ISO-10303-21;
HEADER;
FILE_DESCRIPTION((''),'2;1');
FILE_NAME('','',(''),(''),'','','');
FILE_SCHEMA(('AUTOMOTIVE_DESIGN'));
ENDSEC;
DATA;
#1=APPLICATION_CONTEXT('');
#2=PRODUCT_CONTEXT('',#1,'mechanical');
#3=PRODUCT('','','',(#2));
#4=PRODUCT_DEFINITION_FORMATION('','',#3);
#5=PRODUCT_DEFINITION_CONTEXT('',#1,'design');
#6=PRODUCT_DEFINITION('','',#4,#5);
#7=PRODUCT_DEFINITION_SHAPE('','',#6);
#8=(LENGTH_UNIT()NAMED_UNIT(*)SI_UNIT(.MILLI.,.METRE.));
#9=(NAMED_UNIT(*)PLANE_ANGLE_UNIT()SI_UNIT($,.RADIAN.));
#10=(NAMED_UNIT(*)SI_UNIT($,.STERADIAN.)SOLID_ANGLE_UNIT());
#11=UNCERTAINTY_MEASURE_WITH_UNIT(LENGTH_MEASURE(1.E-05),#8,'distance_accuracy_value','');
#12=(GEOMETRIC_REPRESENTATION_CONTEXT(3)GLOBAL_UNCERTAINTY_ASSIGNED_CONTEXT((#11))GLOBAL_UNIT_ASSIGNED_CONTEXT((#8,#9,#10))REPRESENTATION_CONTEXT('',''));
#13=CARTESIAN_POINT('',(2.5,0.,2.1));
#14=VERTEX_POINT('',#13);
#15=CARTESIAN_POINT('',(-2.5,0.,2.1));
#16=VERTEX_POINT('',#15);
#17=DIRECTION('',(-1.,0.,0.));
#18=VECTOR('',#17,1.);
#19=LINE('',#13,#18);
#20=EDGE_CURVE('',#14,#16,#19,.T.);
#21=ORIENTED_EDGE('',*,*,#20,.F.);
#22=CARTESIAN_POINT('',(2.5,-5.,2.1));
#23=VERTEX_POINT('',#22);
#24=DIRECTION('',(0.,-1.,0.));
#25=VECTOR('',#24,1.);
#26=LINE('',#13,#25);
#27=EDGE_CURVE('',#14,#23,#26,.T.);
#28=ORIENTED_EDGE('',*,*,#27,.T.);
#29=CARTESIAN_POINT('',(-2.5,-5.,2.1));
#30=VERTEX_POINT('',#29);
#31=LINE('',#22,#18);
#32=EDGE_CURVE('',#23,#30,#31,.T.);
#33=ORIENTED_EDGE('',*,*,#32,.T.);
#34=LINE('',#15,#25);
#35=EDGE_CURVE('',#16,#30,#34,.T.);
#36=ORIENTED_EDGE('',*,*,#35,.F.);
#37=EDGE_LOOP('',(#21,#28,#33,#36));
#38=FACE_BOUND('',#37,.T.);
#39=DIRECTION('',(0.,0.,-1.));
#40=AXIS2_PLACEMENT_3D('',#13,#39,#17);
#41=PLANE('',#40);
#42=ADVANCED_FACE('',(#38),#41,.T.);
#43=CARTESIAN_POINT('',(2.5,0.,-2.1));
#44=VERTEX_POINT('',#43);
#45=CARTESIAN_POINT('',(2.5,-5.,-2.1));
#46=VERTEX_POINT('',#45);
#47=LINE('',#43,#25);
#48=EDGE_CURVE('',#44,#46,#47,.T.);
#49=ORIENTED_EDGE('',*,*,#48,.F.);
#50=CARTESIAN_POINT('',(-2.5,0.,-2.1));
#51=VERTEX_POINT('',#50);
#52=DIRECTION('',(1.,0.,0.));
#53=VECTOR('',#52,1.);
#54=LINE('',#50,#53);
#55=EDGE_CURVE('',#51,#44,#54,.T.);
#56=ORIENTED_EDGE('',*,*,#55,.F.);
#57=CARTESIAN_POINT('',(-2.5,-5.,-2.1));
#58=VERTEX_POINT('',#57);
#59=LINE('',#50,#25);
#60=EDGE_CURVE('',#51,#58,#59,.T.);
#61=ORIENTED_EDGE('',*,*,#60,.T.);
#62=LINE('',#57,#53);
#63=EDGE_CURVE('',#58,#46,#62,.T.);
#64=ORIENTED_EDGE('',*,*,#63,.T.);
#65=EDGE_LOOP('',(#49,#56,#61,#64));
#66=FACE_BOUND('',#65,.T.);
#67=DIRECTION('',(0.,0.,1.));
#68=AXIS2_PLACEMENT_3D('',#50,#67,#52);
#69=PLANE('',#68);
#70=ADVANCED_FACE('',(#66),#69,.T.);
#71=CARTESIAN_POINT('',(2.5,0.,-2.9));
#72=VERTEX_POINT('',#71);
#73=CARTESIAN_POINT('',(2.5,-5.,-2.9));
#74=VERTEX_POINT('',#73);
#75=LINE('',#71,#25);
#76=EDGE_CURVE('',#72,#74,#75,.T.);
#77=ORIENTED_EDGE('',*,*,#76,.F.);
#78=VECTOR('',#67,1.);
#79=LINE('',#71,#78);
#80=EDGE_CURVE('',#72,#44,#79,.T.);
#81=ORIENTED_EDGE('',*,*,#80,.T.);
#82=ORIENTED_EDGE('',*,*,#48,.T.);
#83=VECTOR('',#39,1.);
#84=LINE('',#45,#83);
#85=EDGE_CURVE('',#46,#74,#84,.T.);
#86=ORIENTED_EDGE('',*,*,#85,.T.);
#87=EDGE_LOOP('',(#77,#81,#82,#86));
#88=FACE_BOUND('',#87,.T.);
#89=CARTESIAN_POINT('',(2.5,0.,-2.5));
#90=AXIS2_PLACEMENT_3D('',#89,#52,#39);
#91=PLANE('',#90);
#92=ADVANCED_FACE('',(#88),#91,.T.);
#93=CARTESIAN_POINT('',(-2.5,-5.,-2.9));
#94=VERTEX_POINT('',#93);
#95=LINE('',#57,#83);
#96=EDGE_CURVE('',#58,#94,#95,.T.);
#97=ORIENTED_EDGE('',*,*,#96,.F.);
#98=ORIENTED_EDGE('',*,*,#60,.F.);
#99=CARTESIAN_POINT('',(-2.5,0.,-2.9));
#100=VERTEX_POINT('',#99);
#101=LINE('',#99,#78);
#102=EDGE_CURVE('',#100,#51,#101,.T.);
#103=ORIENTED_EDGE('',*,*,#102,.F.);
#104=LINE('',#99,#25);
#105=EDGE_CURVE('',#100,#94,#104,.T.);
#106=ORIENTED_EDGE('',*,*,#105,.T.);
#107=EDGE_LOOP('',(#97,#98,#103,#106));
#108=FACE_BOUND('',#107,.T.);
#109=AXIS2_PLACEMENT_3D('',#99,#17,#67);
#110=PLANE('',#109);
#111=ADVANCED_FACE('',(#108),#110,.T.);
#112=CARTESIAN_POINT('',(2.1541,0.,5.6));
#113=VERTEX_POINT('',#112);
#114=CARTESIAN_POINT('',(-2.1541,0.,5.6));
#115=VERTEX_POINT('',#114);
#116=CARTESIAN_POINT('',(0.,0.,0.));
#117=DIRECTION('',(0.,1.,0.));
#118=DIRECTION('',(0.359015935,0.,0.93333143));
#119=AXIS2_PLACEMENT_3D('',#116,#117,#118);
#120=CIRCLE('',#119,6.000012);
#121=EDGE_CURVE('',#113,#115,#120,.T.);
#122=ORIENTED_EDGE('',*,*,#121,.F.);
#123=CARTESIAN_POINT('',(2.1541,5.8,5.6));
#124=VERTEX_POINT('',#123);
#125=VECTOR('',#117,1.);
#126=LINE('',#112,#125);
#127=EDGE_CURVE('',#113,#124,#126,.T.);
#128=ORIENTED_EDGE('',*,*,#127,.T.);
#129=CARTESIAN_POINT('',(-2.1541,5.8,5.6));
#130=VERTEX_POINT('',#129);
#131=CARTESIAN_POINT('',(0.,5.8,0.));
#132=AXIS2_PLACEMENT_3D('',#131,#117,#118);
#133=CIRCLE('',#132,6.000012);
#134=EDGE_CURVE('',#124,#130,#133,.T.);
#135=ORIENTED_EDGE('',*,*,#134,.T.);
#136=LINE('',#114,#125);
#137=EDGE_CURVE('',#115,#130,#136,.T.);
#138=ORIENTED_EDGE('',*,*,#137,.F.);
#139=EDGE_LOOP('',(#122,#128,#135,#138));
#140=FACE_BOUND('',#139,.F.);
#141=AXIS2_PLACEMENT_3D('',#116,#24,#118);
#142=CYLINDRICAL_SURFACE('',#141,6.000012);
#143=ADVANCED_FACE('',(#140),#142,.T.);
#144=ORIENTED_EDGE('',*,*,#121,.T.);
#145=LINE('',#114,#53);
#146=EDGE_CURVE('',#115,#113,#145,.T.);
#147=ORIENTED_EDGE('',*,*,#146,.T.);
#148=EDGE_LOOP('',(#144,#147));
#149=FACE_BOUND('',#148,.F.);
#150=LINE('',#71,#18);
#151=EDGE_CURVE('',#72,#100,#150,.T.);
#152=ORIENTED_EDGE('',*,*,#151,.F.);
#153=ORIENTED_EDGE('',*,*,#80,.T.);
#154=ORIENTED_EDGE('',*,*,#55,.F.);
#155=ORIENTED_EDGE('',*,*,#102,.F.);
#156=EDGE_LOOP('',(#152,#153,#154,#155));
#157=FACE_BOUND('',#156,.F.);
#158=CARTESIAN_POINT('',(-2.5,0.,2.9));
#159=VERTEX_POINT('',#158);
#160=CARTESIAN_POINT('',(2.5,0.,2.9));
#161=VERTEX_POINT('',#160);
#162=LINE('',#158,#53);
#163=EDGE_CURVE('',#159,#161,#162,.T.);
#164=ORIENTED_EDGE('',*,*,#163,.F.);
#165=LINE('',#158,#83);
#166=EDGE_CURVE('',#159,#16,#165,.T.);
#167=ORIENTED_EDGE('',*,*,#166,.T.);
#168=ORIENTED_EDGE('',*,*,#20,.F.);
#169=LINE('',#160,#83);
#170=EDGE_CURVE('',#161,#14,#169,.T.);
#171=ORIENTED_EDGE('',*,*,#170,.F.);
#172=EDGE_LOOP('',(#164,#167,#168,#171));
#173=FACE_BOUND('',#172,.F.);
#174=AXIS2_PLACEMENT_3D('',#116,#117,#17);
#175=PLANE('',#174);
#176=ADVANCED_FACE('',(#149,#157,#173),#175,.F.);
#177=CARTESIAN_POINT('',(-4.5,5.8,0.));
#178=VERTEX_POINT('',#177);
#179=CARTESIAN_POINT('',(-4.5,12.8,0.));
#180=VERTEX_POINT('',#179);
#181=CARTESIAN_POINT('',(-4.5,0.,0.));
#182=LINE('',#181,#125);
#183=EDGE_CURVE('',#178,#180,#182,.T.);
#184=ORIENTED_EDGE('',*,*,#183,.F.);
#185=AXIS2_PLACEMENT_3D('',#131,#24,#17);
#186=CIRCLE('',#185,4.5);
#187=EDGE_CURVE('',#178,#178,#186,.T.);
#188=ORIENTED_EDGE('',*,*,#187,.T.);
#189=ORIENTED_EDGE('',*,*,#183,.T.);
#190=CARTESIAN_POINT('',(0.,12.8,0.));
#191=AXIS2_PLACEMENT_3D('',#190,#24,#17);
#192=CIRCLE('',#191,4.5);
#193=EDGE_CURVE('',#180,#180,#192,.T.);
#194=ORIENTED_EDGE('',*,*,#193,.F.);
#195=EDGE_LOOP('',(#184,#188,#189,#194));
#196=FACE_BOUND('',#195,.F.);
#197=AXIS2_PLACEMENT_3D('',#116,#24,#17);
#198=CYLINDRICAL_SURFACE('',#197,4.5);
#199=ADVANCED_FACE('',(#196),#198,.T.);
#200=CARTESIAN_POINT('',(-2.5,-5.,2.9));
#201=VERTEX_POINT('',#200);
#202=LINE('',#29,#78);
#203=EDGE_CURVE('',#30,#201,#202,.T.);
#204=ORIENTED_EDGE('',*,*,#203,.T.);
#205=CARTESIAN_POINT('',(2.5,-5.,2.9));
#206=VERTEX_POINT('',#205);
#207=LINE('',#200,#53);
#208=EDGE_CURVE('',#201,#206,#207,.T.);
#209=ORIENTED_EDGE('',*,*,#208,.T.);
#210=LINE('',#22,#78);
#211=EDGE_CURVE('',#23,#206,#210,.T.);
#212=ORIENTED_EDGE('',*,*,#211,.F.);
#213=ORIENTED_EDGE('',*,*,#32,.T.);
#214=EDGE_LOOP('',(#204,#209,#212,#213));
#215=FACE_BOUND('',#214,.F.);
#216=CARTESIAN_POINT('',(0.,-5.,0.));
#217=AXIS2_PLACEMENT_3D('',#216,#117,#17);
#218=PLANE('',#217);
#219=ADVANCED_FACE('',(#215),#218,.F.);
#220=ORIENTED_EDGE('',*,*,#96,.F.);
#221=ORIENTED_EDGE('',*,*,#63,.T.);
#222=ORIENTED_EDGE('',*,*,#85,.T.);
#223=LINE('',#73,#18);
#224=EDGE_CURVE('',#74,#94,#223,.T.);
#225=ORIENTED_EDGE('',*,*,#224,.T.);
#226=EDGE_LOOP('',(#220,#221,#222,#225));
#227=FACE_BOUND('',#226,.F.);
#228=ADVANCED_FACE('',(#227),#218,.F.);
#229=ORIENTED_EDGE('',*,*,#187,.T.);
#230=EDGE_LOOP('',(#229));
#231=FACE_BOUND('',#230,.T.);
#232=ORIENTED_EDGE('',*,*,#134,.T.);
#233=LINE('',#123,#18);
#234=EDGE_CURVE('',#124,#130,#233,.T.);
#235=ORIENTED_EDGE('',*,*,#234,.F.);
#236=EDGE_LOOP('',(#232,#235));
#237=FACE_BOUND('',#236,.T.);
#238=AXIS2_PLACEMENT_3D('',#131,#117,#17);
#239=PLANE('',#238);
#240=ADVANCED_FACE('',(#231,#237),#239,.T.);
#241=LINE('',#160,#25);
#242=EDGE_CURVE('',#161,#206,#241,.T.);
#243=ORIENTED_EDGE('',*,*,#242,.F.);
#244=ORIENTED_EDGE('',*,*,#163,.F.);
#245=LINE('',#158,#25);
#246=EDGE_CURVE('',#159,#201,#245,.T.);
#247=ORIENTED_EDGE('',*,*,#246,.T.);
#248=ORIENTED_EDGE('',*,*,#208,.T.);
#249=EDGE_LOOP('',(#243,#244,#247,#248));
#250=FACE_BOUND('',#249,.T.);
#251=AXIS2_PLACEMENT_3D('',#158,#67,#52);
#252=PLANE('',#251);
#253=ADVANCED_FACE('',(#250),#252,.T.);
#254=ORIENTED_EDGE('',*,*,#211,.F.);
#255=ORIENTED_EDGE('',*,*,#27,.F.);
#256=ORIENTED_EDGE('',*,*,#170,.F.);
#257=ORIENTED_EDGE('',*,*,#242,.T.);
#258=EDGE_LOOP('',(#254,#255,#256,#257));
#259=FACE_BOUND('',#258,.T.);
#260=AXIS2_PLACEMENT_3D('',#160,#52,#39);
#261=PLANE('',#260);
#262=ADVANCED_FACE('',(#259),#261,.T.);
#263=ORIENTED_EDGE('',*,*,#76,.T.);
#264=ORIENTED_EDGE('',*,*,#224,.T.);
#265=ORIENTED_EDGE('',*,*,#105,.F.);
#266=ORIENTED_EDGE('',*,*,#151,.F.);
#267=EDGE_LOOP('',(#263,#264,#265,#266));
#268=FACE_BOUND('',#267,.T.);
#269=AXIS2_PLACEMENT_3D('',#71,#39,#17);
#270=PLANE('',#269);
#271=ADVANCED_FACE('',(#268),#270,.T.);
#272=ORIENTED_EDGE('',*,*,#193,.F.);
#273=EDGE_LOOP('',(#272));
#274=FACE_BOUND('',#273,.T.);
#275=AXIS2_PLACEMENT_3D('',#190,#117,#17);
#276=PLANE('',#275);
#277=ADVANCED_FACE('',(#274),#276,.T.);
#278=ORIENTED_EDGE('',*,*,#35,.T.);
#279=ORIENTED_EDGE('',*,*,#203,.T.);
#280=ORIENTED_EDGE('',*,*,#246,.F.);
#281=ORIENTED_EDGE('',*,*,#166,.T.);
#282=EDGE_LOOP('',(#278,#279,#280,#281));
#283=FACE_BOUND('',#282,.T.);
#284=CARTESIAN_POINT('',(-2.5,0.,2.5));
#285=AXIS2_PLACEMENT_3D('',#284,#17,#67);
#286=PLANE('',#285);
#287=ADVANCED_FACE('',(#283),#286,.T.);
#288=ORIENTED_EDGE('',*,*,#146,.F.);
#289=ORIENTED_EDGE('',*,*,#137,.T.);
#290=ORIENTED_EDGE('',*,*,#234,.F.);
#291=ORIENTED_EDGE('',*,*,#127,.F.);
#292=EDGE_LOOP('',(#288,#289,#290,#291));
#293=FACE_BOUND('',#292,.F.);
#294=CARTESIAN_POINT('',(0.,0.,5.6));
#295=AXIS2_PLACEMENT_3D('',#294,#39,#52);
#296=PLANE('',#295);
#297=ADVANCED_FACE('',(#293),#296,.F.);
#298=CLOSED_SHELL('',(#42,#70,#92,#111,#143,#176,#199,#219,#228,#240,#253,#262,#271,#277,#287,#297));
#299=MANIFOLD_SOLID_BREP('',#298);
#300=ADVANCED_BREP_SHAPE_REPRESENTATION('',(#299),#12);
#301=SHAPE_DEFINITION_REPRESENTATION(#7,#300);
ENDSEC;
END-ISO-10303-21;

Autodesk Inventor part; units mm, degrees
ref_plane "YZ Plane" through (0, 0, 0) normal (1, 0, 0) x (0, 1, 0)
ref_plane "XZ Plane" through (0, 0, 0) normal (0, 1, 0) x (-1, 0, 0)
ref_plane "XY Plane" through (0, 0, 0) normal (0, 0, 1) x (1, 0, 0)
sketch "Sketch1" plane through (0, 0, 0) normal (0, 1, 0) x (-1, 0, 0)
  arc A0 (-2.1541, 5.6) -> (2.1541, 5.6) centre (0, 0) ccw
  circle A1 centre (0, 0) radius 4.5
  line L0 (0, 5.6) -> (2.1541, 5.6)
  line L1 (0, 5.6) -> (-2.1541, 5.6)
  line L2 (0, 5.6) -> (3.5069, 5.6) construction
  line L3 (2.5, 2.9) -> (-2.5, 2.9)
  line L4 (-2.5, 2.9) -> (-2.5, 2.1)
  line L5 (-2.5, 2.1) -> (2.5, 2.1)
  line L6 (2.5, 2.1) -> (2.5, 2.9)
  line L7 (-2.5, -2.9) -> (2.5, -2.9)
  line L8 (2.5, -2.9) -> (2.5, -2.1)
  line L9 (2.5, -2.1) -> (-2.5, -2.1)
  line L10 (-2.5, -2.1) -> (-2.5, -2.9)
  line L11 (-2.5, 2.5) -> (2.5, 2.5)
  line L12 (-2.5, -2.5) -> (2.5, -2.5)
  line L13 (-4.5, 0) -> (4.5, 0)
  dimension "d0" = 12
  dimension "d1" = 9
  dimension "d2" = 180
  dimension "d3" = 4.3081
  dimension "d8" = 5
  dimension "d9" = 0.8
  dimension "d10" = 5
  dimension "d11" = 0.8
  dimension "d16" = 2.5
  dimension "d17" = 2.5
extrude "Extrusion1" add sketch "Sketch1" along normal blind 5.8 contours L1 L0 A0
extrude "Extrusion2" add sketch "Sketch1" along normal blind 12.8 contours L13 A1 | A1 L13 | L6 L11 L4 L3 | L6 L5 L4 L11 | L10 L12 L8 L7 | L10 L9 L8 L12
extrude "Extrusion3" add sketch "Sketch1" against normal blind 5 contours L6 L11 L4 L3 | L6 L5 L4 L11 | L10 L12 L8 L7 | L10 L9 L8 L12
properties part number "D6R90 F1 LFS"
